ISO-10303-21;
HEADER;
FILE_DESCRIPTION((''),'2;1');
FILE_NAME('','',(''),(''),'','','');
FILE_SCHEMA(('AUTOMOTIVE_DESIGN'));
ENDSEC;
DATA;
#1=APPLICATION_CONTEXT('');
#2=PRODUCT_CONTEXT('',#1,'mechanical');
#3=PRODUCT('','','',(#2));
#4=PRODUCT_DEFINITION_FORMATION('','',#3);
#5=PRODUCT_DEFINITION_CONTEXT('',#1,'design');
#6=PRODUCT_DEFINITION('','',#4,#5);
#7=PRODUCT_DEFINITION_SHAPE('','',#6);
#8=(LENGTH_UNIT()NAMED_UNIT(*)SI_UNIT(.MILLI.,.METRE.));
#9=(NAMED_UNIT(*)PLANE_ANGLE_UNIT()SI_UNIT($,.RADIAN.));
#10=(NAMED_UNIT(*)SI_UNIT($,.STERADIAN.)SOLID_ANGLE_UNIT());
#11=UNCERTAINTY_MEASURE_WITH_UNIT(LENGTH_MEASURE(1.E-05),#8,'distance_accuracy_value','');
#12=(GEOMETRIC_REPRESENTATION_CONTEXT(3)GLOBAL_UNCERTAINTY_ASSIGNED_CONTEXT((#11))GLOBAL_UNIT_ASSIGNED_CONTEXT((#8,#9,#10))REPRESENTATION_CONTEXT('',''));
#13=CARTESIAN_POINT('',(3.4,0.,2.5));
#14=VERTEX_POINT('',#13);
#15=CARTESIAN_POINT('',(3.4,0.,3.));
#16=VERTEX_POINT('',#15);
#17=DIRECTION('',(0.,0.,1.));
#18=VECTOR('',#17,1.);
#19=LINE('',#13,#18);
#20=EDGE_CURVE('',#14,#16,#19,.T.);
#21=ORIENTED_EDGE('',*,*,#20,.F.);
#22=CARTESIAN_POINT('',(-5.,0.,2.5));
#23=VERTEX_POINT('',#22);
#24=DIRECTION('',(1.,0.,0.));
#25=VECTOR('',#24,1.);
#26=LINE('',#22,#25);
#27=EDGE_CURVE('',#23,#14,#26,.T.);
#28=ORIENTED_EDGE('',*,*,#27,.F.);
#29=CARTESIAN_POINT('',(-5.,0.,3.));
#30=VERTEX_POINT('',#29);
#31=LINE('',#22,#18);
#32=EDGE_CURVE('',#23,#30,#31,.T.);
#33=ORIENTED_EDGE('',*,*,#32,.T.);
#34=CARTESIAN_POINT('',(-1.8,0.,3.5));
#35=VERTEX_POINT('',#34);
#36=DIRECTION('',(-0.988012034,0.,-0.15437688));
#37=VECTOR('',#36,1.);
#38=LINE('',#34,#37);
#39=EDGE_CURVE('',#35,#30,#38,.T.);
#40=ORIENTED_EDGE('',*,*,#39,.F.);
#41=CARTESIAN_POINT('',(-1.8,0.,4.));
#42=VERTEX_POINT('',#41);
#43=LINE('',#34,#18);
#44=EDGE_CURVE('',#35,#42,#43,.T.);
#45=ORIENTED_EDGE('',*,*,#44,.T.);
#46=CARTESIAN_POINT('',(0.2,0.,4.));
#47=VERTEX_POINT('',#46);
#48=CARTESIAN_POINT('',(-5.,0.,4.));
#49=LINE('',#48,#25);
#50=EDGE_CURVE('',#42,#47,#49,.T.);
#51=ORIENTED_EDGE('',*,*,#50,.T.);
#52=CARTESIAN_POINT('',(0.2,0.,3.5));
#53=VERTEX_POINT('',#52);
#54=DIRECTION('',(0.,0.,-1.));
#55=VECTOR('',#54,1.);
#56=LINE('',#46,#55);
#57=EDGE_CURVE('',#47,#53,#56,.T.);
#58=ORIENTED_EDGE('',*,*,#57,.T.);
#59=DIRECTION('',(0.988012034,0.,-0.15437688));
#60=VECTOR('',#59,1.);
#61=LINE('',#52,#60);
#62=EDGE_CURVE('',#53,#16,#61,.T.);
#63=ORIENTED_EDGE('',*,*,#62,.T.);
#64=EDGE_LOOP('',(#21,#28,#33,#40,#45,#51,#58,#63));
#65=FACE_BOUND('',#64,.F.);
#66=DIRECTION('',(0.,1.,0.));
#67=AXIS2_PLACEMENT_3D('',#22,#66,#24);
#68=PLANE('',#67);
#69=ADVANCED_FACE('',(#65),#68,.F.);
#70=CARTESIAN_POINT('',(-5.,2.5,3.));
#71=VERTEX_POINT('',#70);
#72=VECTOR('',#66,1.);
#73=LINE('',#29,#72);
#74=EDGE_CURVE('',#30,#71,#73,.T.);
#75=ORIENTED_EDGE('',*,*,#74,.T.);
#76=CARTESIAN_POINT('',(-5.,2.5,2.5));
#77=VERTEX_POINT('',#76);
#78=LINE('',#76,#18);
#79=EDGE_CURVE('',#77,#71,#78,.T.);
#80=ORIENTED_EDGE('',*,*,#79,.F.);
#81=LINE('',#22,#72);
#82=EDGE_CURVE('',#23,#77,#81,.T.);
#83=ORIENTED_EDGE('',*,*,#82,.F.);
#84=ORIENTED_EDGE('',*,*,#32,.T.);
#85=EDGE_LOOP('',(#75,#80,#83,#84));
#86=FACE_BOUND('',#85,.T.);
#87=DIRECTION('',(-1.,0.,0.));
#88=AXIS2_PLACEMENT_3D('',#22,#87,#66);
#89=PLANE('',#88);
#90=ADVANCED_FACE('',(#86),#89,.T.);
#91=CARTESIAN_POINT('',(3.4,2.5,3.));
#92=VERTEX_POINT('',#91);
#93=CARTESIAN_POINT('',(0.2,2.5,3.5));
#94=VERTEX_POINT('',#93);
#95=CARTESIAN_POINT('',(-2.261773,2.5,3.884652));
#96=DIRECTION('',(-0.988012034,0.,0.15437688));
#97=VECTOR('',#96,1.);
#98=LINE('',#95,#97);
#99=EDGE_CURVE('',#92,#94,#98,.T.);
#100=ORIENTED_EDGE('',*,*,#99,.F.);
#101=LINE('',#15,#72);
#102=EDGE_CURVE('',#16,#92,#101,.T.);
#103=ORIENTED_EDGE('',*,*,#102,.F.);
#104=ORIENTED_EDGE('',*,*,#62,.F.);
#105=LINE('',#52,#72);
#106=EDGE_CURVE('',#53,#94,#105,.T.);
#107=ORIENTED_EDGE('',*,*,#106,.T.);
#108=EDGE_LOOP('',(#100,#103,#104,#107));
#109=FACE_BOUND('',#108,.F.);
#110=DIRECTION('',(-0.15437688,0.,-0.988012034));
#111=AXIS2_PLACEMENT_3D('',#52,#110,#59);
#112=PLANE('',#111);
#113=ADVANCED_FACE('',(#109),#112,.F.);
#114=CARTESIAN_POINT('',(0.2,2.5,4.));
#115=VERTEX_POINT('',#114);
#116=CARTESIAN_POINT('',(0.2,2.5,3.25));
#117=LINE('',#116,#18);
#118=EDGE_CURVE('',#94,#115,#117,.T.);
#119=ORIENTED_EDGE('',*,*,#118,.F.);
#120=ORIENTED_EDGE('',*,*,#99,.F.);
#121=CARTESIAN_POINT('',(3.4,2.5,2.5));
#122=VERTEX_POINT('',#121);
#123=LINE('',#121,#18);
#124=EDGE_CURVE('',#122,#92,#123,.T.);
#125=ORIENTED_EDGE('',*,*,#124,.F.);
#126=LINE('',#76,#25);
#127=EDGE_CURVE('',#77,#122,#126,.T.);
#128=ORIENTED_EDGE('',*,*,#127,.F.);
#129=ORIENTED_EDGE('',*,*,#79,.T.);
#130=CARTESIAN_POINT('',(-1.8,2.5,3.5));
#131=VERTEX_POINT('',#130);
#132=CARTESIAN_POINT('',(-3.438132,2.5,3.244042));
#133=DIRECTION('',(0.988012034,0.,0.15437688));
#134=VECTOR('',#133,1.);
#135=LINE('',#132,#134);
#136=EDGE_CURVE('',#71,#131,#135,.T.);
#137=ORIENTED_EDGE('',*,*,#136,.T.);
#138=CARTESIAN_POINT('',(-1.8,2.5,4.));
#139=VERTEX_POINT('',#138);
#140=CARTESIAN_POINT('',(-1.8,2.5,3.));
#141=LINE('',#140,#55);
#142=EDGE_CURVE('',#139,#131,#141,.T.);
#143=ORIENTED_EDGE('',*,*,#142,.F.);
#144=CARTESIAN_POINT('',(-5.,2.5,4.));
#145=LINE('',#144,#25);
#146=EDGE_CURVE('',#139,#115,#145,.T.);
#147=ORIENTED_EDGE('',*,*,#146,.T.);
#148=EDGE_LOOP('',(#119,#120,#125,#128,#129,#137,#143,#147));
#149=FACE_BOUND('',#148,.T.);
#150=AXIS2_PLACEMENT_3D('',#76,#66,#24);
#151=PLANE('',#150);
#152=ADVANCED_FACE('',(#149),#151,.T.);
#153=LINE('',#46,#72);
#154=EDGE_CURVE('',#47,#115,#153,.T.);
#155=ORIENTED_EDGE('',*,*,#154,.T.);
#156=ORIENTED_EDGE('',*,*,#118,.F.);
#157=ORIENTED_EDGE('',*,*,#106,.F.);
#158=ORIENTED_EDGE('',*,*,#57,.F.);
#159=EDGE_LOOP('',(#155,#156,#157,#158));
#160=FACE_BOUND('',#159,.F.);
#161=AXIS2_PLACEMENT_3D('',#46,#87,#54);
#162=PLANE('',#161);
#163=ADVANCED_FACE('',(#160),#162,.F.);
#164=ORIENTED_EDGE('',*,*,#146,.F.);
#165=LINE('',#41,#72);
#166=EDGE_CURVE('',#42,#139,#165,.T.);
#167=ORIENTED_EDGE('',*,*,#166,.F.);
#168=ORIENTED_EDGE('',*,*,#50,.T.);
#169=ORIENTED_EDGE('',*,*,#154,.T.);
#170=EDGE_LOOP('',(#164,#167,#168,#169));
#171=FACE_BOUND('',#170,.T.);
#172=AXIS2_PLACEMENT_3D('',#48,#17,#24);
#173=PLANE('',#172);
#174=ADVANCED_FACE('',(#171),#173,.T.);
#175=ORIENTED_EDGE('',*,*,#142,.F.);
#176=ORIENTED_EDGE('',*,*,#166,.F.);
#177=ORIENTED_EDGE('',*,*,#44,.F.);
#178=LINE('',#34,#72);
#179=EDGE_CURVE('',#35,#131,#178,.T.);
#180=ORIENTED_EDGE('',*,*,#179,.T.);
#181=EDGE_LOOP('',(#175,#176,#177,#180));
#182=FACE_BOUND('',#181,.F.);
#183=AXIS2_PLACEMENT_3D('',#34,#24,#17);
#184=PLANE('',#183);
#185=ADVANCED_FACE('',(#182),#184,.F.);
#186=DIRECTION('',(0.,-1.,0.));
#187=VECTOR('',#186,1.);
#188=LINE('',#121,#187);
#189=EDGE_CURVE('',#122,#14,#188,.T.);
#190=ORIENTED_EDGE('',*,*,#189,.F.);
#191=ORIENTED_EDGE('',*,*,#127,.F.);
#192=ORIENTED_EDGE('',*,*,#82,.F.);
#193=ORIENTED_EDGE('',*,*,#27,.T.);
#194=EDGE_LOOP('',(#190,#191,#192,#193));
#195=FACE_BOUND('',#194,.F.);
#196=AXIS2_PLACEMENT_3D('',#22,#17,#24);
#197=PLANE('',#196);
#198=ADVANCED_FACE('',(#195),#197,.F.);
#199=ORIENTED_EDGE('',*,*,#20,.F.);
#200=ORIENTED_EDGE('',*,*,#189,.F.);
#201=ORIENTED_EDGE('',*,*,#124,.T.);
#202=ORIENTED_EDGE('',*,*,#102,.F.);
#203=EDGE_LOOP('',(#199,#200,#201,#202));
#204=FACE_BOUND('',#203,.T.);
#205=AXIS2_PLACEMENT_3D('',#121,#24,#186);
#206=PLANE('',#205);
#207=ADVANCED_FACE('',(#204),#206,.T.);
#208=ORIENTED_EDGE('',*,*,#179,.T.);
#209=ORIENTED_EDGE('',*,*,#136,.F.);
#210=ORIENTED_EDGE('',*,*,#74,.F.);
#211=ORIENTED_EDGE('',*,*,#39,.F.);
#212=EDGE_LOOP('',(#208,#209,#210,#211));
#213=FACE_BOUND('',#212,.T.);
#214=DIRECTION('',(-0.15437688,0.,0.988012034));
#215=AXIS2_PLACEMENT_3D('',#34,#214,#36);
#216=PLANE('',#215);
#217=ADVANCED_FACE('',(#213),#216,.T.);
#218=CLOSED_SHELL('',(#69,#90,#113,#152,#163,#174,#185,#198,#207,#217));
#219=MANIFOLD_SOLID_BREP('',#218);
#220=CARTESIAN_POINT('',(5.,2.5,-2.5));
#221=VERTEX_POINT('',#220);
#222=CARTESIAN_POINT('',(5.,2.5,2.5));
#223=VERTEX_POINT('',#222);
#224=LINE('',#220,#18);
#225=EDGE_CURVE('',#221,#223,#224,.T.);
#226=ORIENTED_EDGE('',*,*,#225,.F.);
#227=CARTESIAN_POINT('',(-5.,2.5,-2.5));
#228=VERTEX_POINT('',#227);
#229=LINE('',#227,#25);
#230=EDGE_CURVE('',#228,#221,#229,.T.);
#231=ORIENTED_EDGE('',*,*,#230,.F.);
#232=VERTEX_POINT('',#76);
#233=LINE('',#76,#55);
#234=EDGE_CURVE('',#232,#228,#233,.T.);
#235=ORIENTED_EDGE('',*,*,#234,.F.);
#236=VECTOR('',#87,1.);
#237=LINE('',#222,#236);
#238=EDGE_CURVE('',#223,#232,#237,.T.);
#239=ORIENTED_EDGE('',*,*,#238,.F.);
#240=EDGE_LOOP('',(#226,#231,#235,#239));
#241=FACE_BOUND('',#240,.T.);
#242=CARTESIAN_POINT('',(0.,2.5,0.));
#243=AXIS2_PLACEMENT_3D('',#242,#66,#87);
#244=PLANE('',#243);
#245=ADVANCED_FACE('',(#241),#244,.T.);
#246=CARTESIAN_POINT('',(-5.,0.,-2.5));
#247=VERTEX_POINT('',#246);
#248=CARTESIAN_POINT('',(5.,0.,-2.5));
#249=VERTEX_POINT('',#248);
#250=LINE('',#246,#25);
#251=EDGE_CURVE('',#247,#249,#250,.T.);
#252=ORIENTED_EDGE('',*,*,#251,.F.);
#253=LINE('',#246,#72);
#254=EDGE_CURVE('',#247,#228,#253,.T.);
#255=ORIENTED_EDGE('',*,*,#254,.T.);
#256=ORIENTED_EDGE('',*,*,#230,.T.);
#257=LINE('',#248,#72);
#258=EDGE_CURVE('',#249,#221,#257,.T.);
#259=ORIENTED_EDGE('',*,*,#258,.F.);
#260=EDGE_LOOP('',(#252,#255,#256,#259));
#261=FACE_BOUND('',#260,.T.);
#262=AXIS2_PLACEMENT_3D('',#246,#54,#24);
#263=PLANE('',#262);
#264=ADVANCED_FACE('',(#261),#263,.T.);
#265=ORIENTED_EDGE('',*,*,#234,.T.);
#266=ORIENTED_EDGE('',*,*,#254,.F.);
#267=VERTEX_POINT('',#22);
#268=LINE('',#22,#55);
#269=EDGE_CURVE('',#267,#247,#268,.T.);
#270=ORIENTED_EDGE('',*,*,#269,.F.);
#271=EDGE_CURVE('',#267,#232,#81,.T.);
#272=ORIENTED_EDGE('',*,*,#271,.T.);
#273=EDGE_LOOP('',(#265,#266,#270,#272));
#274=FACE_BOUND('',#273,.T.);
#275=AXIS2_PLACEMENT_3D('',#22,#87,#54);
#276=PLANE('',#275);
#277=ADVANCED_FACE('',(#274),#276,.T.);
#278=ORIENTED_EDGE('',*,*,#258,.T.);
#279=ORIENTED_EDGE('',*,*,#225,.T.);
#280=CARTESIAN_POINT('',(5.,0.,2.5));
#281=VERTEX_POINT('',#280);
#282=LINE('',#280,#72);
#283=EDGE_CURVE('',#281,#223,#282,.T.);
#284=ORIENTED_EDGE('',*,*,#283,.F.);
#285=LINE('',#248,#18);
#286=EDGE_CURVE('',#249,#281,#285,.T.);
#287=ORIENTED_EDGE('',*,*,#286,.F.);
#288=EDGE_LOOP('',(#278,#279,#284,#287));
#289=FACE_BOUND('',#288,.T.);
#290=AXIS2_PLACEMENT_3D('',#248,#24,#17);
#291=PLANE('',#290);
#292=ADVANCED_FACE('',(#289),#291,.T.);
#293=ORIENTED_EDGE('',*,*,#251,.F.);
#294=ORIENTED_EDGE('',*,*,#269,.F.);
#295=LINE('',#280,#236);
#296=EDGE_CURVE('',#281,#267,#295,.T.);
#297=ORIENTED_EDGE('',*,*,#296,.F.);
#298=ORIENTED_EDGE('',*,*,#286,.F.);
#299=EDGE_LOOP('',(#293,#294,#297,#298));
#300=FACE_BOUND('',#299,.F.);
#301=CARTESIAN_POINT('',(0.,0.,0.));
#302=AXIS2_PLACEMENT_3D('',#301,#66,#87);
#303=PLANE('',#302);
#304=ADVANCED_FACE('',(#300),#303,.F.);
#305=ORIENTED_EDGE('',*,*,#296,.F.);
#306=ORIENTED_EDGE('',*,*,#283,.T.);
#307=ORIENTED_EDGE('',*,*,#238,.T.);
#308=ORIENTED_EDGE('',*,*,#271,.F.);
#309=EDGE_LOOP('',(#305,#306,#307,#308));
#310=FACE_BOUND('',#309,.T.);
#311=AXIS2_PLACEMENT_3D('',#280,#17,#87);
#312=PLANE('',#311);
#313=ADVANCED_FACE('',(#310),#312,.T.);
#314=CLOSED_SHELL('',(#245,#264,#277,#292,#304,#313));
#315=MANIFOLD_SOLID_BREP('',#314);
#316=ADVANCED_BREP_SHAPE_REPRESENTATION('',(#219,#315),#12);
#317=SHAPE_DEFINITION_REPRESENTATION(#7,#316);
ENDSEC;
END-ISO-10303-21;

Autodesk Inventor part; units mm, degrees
ref_plane "YZ Plane" through (0, 0, 0) normal (1, 0, 0) x (0, 1, 0)
ref_plane "XZ Plane" through (0, 0, 0) normal (0, 1, 0) x (-1, 0, 0)
ref_plane "XY Plane" through (0, 0, 0) normal (0, 0, 1) x (1, 0, 0)
sketch "Sketch1" plane through (0, 0, 0) normal (0, 1, 0) x (-1, 0, 0)
  line L0 (5, -2.5) -> (-5, -2.5)
  line L1 (-5, -2.5) -> (-5, 2.5)
  line L2 (-5, 2.5) -> (5, 2.5)
  line L3 (5, 2.5) -> (5, -2.5)
  line L4 (5, -2.5) -> (-5, 2.5) construction
  line L5 (-5, -2.5) -> (5, 2.5) construction
  point P0 (0, 0)
  dimension "d0" = 10
  dimension "d1" = 5
extrude "Extrusion1" add sketch "Sketch1" along normal blind 2.5
sketch "Sketch2" plane through (-5, 0, 2.5) normal (0, 0, 1) x (1, 0, 0)
  line L0 (0, 2.5) -> (10, 2.5) projected
  line L1 (0, 0) -> (10, 0) projected
  line L2 (0, 2.5) -> (8.4, 2.5)
  line L3 (8.4, 2.5) -> (8.4, 0)
  line L4 (8.4, 0) -> (0, 0)
  line L5 (0, 0) -> (0, 2.5)
  point P0 (5, 0)
  dimension "d4" = 8.4
extrude "Extrusion2" add sketch "Sketch2" along normal blind 1.5 separate body
sketch "Sketch3" plane through (-5, 0, 2.5) normal (0, -1, 0) x (1, 0, 0)
  line L0 (0, 1.5) -> (8.4, 1.5) projected
  line L1 (3.2, 1.5) -> (5.2, 1.5)
  line L2 (5.2, 1.5) -> (5.2, 1)
  line L3 (5.2, 1) -> (3.2, 1)
  line L4 (3.2, 1) -> (3.2, 1.5)
  line L5 (0, 0) -> (10, 0) projected
  line L6 (8.4, 0) -> (8.4, 1.5) projected
  line L7 (0, 0) -> (8.4, 0)
  line L8 (8.4, 0) -> (8.4, 0.5)
  line L9 (8.4, 0.5) -> (0, 0.5)
  line L10 (0, 0.5) -> (0, 0)
  line L11 (3.2, 1) -> (0, 0.5)
  line L12 (5.2, 1) -> (8.4, 0.5)
  line L13 (0, 1.5) -> (8.4, 1.5)
  line L14 (8.4, 1.5) -> (8.4, 0)
  line L15 (8.4, 0) -> (0, 0)
  line L16 (0, 0) -> (0, 1.5)
  point P0 (5, -2.5)
  point P1 (0, 0.5)
  dimension "d7" = 2
  dimension "d8" = 0.5
  dimension "d9" = 0.5
extrude "Extrusion3" cut sketch "Sketch3" against normal through all contours L0 L4 L11 L16 | L0 L6 L12 L2 bodies 2
properties part number "Switch_ESP2010_90"
